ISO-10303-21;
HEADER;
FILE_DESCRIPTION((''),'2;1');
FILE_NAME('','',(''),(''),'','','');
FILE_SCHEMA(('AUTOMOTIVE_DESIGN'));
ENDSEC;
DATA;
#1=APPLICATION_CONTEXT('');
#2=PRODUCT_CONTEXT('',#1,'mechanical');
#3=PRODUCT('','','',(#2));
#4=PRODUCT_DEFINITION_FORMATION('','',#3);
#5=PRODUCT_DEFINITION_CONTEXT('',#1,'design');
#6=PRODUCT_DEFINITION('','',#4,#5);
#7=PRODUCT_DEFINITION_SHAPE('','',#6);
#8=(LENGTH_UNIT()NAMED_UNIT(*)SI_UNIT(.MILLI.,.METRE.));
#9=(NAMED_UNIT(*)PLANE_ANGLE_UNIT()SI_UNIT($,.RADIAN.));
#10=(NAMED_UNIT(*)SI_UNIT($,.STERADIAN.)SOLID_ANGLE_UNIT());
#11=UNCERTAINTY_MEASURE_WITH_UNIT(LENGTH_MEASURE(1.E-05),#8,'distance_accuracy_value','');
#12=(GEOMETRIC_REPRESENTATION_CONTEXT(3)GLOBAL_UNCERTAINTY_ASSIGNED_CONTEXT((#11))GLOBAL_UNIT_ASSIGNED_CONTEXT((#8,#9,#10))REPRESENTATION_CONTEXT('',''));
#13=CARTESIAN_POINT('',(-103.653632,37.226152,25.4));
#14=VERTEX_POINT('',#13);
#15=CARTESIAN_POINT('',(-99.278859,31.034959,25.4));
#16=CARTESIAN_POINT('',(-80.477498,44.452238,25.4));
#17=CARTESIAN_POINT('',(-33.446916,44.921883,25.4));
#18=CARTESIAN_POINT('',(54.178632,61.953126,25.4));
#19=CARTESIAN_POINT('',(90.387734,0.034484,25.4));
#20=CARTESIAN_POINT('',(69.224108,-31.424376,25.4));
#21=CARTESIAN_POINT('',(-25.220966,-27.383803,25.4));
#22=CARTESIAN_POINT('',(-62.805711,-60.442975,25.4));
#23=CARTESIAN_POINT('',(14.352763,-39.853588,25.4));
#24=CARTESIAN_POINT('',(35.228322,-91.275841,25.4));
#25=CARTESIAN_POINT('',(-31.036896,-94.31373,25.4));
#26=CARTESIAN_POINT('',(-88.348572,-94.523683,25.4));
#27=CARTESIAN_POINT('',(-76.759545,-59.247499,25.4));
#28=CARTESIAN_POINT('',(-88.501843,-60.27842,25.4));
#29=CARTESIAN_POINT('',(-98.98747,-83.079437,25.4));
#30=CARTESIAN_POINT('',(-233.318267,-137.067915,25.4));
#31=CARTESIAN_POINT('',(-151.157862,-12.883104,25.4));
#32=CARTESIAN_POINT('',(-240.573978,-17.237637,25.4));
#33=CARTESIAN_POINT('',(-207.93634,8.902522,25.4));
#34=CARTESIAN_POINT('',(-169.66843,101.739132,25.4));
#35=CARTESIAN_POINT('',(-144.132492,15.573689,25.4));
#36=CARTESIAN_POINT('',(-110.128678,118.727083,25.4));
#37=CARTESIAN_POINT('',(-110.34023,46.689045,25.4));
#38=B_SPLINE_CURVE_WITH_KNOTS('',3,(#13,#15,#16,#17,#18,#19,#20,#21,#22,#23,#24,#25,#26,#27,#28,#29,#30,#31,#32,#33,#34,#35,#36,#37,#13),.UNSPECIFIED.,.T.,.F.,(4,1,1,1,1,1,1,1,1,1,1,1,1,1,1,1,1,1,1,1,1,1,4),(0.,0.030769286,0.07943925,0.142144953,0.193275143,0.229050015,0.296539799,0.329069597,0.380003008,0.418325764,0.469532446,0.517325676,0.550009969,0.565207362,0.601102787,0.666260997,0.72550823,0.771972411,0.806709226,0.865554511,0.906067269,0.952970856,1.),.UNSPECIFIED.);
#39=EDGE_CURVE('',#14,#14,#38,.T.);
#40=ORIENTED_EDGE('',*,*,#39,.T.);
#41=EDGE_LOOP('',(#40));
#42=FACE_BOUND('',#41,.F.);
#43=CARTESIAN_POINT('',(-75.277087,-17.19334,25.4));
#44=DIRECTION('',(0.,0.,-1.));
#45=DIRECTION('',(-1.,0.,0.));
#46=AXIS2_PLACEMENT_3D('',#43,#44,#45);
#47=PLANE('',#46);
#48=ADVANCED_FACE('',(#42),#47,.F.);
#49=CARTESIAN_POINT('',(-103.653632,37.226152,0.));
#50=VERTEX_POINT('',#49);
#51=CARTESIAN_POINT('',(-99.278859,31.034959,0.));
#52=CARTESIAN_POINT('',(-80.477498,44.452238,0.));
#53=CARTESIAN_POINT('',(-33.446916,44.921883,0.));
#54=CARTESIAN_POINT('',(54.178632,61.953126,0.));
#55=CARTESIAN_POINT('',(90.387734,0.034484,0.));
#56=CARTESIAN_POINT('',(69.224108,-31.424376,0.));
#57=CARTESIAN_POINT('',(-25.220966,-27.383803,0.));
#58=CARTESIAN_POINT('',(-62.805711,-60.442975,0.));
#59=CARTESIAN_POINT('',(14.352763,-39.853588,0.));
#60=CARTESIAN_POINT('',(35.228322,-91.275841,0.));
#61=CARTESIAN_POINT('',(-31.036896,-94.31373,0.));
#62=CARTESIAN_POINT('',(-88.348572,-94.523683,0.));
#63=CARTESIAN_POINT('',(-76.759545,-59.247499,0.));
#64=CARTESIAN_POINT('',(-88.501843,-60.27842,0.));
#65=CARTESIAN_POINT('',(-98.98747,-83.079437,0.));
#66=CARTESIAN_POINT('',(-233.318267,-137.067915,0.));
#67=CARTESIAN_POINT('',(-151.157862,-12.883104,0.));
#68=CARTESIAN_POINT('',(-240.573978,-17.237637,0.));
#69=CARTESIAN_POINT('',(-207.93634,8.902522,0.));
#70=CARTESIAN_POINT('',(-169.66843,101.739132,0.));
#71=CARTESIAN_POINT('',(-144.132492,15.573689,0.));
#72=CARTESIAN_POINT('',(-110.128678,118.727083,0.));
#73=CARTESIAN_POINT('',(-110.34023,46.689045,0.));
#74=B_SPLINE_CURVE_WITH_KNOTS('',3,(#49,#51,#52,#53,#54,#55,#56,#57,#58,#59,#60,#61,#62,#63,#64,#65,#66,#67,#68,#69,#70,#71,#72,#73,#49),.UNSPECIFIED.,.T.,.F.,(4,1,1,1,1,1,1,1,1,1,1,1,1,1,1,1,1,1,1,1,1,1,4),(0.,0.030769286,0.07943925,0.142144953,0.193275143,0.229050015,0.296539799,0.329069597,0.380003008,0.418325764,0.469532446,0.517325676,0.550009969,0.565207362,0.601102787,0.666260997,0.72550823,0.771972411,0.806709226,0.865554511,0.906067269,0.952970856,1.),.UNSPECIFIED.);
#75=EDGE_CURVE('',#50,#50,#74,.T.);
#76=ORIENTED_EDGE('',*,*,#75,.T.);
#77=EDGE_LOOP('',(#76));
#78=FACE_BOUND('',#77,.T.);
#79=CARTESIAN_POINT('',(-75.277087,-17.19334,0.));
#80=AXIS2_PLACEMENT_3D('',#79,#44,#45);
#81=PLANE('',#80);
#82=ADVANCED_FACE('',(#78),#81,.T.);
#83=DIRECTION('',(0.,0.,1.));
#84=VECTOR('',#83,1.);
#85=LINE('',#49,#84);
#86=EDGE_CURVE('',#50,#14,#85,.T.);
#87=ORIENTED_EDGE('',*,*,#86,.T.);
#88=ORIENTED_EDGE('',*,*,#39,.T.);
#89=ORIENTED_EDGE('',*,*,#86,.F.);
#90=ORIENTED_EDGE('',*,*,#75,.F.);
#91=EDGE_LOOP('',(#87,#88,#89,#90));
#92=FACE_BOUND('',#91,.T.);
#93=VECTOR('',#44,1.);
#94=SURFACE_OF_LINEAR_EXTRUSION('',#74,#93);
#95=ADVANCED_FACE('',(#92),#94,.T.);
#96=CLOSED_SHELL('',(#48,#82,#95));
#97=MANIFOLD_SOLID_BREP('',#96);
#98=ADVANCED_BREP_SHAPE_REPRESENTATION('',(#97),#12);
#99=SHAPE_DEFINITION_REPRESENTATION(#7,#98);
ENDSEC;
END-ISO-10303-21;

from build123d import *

# Parameters (mm, degrees)
F1_DEPTH = 25.4


with BuildPart() as f1:
    # F0 (on Top) → F1 (new body)
    with BuildSketch(Plane.XY):
        with BuildLine():
            add(Edge.make_bspline(
                [(-103.6536321044, 37.226151675), (-99.2788590021, 31.0349594312), (-80.4774977163, 44.452238187), (-33.4469163714, 44.9218828775), (54.1786316744, 61.9531255549), (90.3877338208, 0.0344843806), (69.2241078997, -31.4243762292), (-25.2209657853, -27.3838027559), (-62.8057105484, -60.4429748104), (14.3527632116, -39.853588477), (35.2283215254, -91.275841456), (-31.0368964815, -94.3137301219), (-88.3485719254, -94.5236827979), (-76.7595451336, -59.2474992744), (-88.5018428295, -60.2784203955), (-98.9874703193, -83.079436998), (-233.3182670015, -137.0679148583), (-151.1578617252, -12.8831038996), (-240.5739783311, -17.2376372413), (-207.9363398313, 8.9025216396), (-169.6684302399, 101.7391322553), (-144.1324915664, 15.5736885865), (-110.1286778781, 118.7270825525), (-110.3402296557, 46.6890449334), (-103.6536321044, 37.226151675)],
                knots=[0, 0, 0, 0, 0.0307692862, 0.07943925, 0.1421449534, 0.1932751434, 0.2290500152, 0.2965397995, 0.3290695972, 0.3800030079, 0.4183257639, 0.4695324458, 0.5173256761, 0.5500099689, 0.5652073622, 0.6011027866, 0.6662609972, 0.7255082304, 0.771972411, 0.8067092265, 0.8655545114, 0.9060672687, 0.9529708561, 1, 1, 1, 1], degree=3))
        make_face()
    extrude(amount=F1_DEPTH)


solid = f1.part
